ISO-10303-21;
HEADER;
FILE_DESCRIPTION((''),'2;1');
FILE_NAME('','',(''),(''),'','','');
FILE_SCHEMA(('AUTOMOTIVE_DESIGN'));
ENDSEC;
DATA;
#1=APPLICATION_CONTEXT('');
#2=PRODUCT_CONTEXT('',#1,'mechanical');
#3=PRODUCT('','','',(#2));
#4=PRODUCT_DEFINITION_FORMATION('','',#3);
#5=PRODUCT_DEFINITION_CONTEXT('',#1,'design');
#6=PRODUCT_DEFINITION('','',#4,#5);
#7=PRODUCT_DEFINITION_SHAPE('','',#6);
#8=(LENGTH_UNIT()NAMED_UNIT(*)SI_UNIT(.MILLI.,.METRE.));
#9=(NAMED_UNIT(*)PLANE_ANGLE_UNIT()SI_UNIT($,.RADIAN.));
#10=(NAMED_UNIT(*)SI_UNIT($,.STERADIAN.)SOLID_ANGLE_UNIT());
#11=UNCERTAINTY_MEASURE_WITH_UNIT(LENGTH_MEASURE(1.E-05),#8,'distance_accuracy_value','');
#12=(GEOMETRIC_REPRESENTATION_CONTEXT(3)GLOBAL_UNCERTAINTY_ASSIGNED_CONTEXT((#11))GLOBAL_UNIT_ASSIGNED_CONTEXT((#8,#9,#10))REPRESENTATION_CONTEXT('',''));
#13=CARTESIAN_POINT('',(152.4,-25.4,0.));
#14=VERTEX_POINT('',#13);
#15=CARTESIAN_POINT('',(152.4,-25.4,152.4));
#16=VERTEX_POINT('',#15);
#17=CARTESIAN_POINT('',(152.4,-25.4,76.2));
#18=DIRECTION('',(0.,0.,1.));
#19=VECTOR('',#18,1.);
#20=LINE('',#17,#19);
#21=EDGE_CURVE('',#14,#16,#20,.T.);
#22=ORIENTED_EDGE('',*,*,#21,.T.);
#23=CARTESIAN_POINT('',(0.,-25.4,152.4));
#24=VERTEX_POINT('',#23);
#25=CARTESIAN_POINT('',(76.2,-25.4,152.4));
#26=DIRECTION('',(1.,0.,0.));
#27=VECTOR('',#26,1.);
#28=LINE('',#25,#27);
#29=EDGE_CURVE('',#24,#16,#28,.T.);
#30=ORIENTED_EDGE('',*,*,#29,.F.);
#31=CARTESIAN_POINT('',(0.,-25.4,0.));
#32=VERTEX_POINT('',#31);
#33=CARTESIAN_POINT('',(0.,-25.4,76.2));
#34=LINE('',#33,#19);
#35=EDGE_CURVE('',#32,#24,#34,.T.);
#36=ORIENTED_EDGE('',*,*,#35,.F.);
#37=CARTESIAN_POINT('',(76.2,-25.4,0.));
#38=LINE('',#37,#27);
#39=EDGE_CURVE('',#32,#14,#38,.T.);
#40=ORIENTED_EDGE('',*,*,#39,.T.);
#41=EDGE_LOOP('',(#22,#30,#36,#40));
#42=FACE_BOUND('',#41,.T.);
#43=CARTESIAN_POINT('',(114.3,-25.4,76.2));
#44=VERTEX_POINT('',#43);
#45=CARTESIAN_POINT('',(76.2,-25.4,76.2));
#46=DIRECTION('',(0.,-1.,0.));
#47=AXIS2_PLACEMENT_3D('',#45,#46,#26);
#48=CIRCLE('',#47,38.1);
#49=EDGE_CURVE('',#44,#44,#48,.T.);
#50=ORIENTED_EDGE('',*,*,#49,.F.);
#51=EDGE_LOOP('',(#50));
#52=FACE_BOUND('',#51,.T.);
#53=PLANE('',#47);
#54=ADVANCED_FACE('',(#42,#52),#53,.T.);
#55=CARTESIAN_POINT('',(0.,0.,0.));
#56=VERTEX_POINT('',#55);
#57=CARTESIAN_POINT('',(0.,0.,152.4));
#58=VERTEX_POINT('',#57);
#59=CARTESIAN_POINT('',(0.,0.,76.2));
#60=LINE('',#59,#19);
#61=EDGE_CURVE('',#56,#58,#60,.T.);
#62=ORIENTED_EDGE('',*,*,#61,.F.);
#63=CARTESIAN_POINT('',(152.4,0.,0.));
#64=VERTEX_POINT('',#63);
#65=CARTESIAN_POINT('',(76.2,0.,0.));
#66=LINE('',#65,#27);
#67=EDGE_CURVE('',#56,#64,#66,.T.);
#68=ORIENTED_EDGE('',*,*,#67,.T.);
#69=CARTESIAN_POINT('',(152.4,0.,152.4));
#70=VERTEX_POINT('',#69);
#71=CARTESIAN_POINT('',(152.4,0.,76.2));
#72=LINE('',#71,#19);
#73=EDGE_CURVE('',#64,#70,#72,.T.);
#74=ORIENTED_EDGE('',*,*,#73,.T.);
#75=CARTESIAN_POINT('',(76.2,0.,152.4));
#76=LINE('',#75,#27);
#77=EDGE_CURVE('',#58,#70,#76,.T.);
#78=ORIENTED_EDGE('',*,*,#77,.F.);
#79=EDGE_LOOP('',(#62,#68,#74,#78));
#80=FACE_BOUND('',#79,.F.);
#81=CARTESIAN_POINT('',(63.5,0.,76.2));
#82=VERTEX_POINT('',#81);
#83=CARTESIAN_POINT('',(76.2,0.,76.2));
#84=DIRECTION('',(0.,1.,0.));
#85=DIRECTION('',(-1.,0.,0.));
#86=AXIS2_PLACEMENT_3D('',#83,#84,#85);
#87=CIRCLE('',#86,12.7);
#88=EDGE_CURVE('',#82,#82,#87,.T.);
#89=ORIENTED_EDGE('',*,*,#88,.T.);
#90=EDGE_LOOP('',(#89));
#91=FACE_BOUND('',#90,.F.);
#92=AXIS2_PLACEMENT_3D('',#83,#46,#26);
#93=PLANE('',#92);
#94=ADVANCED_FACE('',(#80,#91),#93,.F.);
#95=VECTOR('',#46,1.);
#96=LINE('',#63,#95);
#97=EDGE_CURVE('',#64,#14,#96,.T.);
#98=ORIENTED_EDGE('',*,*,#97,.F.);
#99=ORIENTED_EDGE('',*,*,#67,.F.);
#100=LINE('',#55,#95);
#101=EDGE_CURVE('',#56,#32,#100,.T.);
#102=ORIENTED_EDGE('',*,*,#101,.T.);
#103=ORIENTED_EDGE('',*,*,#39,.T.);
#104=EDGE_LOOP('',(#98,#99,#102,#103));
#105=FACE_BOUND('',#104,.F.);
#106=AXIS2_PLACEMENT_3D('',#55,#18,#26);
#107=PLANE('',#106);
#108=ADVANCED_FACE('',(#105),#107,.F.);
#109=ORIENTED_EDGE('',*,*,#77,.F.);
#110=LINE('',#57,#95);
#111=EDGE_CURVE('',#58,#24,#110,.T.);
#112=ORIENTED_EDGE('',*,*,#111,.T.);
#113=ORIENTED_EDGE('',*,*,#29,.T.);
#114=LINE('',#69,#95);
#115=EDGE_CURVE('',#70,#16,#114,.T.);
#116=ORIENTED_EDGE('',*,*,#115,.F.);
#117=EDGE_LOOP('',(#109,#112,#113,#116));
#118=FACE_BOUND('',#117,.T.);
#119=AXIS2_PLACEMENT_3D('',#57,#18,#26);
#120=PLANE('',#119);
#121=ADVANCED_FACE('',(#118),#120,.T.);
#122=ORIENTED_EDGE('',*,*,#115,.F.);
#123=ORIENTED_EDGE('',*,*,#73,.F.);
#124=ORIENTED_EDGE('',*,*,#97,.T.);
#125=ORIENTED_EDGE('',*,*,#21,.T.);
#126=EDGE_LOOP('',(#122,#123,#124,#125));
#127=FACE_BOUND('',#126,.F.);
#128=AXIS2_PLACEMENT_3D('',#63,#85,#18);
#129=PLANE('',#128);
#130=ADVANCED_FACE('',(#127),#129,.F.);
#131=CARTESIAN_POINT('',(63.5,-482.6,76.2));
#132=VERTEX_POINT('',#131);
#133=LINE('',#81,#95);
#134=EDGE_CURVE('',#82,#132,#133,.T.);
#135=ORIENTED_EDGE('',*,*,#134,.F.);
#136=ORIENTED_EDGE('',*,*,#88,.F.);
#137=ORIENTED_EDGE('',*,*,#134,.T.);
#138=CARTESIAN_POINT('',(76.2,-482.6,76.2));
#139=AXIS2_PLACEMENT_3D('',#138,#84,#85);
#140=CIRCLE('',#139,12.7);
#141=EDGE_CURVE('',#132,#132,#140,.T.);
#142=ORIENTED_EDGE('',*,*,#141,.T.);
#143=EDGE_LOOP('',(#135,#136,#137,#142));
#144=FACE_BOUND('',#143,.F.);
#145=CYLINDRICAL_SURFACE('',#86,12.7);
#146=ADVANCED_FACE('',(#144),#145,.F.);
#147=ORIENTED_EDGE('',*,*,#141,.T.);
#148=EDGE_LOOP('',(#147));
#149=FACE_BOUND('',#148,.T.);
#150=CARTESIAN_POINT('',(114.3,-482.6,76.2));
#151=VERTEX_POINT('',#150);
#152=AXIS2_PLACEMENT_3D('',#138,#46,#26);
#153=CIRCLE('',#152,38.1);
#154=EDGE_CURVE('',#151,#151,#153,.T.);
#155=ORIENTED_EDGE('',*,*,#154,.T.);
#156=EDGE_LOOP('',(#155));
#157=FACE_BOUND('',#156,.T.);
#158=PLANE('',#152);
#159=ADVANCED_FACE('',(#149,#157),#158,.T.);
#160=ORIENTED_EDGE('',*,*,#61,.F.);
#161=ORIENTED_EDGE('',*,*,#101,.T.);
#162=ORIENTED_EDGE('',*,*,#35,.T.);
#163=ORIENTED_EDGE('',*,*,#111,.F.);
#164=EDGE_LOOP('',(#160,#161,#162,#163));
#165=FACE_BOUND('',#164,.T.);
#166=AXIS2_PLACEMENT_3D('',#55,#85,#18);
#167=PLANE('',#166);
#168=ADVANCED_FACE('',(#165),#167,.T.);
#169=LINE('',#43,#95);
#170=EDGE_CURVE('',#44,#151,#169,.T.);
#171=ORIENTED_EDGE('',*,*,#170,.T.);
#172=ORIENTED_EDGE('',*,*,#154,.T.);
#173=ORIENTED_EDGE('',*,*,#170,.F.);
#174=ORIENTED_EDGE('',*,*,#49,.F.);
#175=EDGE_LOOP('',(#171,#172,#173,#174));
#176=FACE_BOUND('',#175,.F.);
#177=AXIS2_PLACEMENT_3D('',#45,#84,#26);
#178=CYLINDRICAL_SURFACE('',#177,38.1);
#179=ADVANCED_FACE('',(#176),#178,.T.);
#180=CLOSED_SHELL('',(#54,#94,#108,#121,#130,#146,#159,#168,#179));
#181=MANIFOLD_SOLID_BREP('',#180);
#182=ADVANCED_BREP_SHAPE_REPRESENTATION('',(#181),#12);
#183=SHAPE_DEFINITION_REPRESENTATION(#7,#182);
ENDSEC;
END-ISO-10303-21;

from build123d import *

# Parameters (mm, degrees)
F0_W     = 152.4
F0_H     = 152.4
F1_DEPTH = 25.4
F2_R     = 38.1
F3_DEPTH = 457.2
F4_R     = 12.7
F5_DEPTH = 482.6


with BuildPart() as f1:
    # F0 (on Front) → F1 (new body)
    with BuildSketch(Plane.XZ):
        with Locations((76.2, 76.2)):
            Rectangle(F0_W, F0_H)
    extrude(amount=F1_DEPTH)

    # F2 (on face) → F3 (join)
    with BuildSketch(Plane.XZ.offset(25.4)):
        with Locations((76.2, 76.2)):
            Circle(F2_R)
    extrude(amount=F3_DEPTH)

    # F4 (on face) → F5 (cut, through all)
    with BuildSketch(Plane(origin=(0, 0, 0), x_dir=(-1, 0, 0), z_dir=(0, 1, 0))):
        with Locations((-76.2, 76.2)):
            Circle(F4_R)
    extrude(amount=-F5_DEPTH, mode=Mode.SUBTRACT)


solid = f1.part
